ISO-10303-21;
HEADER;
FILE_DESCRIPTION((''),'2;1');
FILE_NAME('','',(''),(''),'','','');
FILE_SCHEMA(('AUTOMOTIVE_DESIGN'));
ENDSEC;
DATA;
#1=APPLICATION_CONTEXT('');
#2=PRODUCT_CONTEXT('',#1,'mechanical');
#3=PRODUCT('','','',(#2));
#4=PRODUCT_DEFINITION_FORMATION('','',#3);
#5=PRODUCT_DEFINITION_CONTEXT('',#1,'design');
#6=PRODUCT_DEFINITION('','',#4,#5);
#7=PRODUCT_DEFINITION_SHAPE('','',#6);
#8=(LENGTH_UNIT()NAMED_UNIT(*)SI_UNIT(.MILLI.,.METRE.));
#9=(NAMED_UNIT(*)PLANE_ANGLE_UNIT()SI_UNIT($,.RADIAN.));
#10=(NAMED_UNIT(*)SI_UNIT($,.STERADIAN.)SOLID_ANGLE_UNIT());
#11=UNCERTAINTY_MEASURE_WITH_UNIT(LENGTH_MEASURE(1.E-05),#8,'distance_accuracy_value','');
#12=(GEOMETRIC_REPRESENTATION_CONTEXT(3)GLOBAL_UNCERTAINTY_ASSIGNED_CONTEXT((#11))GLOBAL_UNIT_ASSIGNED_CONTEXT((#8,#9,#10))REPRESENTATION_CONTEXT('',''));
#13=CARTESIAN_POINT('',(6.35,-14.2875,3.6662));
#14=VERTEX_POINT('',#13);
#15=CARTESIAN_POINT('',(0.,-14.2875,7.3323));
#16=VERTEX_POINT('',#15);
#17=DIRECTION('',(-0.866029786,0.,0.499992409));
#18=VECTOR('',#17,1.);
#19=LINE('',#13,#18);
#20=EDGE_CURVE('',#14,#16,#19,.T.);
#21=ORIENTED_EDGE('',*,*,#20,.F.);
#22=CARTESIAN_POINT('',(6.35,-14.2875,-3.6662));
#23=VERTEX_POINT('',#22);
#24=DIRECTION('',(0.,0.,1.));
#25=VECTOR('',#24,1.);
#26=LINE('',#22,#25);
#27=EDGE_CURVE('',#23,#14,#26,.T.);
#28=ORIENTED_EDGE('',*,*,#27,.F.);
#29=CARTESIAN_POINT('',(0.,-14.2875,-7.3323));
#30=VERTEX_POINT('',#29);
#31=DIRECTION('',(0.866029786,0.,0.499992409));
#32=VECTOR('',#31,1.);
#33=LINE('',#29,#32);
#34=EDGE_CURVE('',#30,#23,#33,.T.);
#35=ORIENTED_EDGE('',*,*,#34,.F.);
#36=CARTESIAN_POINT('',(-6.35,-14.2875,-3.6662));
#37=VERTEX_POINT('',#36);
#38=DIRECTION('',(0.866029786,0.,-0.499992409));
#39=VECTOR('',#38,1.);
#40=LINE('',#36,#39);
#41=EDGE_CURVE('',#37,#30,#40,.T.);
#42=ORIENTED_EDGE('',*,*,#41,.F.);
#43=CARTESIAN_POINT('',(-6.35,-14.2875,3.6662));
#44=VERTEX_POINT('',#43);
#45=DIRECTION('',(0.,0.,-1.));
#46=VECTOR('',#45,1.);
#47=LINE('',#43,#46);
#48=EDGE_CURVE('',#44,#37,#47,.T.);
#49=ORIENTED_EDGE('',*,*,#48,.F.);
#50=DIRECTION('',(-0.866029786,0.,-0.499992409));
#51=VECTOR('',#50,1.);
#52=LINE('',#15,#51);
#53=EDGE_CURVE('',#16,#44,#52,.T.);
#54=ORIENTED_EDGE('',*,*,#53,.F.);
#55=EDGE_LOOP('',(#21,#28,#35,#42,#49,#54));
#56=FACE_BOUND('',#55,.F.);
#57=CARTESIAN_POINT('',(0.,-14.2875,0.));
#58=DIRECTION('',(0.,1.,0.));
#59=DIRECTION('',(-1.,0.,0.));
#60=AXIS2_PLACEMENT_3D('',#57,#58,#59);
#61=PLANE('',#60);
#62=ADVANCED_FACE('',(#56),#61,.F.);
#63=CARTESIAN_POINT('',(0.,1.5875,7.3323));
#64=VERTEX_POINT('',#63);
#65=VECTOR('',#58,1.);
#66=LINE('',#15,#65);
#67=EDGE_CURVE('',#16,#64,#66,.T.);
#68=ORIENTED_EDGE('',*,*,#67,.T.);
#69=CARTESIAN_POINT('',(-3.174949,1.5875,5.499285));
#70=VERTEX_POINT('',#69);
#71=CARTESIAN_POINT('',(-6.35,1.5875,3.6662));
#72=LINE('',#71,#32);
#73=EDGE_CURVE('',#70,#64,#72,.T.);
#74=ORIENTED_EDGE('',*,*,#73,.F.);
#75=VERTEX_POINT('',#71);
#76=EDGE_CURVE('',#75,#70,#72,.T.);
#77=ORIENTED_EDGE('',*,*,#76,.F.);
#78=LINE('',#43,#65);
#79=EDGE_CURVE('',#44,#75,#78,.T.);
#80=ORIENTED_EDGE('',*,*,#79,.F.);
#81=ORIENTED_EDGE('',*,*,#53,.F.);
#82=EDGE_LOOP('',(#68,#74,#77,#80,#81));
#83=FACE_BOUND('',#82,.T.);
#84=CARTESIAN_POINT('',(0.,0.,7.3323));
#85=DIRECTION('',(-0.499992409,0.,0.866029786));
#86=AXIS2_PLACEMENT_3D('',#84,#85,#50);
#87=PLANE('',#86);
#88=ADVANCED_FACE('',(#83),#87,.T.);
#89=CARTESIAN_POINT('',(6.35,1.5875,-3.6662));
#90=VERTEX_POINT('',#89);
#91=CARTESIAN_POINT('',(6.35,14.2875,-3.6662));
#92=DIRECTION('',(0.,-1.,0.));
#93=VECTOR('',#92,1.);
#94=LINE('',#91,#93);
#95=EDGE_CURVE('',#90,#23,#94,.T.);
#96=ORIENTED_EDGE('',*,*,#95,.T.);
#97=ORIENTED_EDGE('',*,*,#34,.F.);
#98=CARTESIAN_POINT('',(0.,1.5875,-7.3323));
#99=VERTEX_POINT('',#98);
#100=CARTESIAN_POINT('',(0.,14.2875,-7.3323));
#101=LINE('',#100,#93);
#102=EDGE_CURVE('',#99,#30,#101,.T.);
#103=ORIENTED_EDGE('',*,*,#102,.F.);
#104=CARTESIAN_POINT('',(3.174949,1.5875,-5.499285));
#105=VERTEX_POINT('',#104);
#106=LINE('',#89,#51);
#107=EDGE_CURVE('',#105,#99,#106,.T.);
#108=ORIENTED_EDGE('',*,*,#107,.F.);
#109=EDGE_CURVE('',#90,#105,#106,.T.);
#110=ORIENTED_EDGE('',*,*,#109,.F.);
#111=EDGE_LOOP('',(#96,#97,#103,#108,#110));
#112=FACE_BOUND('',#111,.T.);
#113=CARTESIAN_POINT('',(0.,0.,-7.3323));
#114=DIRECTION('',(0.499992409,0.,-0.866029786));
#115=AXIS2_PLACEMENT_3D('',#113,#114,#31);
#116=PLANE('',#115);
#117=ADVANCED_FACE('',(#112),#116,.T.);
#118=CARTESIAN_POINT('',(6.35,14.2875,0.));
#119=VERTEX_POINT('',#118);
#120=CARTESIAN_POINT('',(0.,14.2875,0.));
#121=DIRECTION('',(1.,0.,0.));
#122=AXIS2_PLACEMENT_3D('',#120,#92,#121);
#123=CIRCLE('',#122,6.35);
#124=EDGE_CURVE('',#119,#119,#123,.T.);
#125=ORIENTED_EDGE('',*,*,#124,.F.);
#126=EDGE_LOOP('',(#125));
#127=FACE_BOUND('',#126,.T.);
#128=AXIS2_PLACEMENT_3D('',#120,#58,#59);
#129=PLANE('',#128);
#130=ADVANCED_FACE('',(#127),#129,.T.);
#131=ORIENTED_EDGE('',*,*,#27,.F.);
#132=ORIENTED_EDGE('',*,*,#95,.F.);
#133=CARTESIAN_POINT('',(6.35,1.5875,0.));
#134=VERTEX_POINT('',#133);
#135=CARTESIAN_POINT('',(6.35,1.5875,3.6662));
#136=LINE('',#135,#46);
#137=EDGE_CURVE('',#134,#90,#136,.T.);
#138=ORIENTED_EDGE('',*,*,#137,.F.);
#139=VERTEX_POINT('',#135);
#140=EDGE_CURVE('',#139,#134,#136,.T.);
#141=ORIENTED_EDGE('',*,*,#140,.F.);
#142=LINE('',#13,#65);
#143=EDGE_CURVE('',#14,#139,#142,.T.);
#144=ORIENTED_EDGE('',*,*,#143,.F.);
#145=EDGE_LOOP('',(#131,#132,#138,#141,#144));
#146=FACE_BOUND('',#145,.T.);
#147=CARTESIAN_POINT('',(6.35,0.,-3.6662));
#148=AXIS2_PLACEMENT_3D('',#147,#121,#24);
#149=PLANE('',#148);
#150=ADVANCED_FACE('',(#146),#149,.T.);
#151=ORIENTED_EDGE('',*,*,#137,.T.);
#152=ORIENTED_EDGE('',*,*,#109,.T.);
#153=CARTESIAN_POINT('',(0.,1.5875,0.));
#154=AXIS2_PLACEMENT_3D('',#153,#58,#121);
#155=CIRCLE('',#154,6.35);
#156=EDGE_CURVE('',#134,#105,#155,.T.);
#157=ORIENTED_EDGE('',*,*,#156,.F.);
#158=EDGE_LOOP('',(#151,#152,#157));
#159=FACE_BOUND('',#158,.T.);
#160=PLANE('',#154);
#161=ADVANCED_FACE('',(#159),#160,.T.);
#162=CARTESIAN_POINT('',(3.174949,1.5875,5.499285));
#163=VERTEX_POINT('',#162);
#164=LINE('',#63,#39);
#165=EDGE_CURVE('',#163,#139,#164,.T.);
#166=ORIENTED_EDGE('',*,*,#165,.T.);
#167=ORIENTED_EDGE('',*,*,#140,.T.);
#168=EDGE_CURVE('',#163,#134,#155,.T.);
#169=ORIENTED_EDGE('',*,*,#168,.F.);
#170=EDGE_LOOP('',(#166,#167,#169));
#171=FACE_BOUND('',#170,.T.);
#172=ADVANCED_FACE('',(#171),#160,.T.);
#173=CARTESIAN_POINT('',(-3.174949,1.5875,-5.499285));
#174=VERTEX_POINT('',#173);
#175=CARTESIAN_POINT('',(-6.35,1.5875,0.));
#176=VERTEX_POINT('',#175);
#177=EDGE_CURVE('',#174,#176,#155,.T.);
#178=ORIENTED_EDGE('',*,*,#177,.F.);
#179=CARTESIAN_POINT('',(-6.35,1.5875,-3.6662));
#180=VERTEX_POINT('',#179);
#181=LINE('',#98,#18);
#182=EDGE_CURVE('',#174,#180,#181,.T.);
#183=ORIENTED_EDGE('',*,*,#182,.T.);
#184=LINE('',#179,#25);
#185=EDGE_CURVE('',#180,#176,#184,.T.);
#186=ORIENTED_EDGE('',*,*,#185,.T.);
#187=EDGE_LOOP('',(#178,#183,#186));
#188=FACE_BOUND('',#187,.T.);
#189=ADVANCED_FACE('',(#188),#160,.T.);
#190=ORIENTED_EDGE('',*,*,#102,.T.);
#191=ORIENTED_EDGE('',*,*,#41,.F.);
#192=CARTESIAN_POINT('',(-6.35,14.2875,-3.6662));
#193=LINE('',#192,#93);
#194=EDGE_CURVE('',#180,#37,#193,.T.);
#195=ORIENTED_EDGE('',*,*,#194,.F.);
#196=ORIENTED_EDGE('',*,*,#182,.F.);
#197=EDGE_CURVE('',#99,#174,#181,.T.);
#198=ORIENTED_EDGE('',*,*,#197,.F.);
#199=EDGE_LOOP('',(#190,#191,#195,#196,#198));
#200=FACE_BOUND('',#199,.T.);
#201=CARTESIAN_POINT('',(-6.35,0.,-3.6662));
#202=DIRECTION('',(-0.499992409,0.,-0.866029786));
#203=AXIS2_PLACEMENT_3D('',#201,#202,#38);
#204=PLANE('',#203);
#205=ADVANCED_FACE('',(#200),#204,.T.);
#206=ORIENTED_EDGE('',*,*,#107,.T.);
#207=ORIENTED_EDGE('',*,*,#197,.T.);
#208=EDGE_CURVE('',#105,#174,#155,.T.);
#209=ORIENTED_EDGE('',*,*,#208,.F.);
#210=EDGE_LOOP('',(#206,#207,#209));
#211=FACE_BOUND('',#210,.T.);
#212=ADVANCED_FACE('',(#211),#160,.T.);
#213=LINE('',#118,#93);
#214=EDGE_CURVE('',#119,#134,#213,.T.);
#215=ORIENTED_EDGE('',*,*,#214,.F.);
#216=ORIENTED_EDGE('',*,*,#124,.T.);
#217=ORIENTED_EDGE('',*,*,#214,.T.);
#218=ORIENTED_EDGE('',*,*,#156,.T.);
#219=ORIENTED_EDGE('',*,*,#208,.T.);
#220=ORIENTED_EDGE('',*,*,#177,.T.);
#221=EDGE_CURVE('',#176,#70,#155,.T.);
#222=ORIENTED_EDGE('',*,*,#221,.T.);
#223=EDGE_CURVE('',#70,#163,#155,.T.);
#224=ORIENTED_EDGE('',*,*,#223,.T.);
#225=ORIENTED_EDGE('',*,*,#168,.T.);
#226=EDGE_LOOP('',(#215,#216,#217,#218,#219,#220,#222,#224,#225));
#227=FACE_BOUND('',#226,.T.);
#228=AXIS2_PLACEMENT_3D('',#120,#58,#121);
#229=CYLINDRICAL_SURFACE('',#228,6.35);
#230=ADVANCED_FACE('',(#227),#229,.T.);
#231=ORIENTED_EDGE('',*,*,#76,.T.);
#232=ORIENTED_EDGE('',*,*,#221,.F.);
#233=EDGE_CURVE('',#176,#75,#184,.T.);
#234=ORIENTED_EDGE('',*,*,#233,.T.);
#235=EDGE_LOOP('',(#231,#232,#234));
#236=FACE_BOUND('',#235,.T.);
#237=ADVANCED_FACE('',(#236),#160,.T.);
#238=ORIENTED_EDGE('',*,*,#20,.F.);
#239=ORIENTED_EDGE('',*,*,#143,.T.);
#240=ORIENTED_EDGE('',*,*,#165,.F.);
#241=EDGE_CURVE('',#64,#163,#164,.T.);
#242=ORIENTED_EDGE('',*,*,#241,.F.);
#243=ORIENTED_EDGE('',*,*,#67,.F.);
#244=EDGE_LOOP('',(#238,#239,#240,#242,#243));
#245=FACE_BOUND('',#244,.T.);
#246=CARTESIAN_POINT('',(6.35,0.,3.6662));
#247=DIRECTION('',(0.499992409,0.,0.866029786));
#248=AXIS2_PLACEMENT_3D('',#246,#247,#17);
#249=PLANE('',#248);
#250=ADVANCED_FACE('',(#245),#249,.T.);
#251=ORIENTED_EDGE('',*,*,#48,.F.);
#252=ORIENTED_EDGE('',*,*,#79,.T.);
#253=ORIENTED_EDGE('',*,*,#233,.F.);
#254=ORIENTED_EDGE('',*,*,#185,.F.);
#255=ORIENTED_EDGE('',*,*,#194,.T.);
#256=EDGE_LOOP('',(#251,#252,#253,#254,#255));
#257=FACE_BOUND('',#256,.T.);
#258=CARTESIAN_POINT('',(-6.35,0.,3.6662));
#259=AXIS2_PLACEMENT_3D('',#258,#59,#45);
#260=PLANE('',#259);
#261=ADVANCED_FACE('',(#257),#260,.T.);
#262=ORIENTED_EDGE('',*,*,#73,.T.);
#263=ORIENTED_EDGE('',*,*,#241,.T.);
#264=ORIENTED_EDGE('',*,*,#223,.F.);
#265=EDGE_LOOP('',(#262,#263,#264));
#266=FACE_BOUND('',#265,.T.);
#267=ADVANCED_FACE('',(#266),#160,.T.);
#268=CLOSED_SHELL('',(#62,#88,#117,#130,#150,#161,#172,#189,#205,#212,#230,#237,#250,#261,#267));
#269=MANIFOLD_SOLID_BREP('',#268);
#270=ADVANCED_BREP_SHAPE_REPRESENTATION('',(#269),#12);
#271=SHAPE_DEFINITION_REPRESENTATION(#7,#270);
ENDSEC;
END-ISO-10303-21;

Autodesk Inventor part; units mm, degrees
ref_plane "YZ Plane" through (0, 0, 0) normal (1, 0, 0) x (0, 1, 0)
ref_plane "XZ Plane" through (0, 0, 0) normal (0, 1, 0) x (-1, 0, 0)
ref_plane "XY Plane" through (0, 0, 0) normal (0, 0, 1) x (1, 0, 0)
sketch "Sketch1" plane through (0, 0, 0) normal (0, 1, 0) x (-1, 0, 0)
  line L0 (6.35, 3.6662) -> (6.35, -3.6662)
  line L1 (6.35, -3.6662) -> (0, -7.3323)
  line L2 (0, -7.3323) -> (-6.35, -3.6662)
  line L3 (-6.35, -3.6662) -> (-6.35, 3.6662)
  line L4 (-6.35, 3.6662) -> (0, 7.3323)
  line L5 (0, 7.3323) -> (6.35, 3.6662)
  point P0 (0, 0)
  point P1 (0, 0)
  dimension "d0" = 12.7
extrude "Extrusion1" add sketch "Sketch1" along normal mid plane 28.575
sketch "Sketch2" plane through (0, 14.2875, 0) normal (0, 1, 0) x (1, 0, 0)
  line L0 (0, -7.3323) -> (6.35, -3.6662) projected
  line L1 (6.35, -3.6662) -> (6.35, 3.6662) projected
  line L2 (6.35, 3.6662) -> (0, 7.3323) projected
  line L3 (0, 7.3323) -> (-6.35, 3.6662) projected
  line L4 (-6.35, 3.6662) -> (-6.35, -3.6662) projected
  line L5 (-6.35, -3.6662) -> (0, -7.3323) projected
  circle A0 centre (0, 0) radius 6.35
  point P0 (-6.35, 0)
  point P1 (-3.175, 5.4993)
  point P2 (3.175, 5.4993)
  point P3 (6.35, 0)
  point P4 (3.175, -5.4993)
  point P5 (-3.175, -5.4993)
  dimension "d3" = 12.7
extrude "Extrusion2" cut sketch "Sketch2" against normal blind 12.7 contours L5 A0 L0 | A0 L1 L0 | L5 L4 A0 | A0 L2 L1 | L4 L3 A0 | A0 L3 L2
thread "Thread1" size "1/2-20 UNF" class "2A" standard "ANSI Unified Screw Threads" full length
properties part number "AR-022" material "Aluminum 6061"
